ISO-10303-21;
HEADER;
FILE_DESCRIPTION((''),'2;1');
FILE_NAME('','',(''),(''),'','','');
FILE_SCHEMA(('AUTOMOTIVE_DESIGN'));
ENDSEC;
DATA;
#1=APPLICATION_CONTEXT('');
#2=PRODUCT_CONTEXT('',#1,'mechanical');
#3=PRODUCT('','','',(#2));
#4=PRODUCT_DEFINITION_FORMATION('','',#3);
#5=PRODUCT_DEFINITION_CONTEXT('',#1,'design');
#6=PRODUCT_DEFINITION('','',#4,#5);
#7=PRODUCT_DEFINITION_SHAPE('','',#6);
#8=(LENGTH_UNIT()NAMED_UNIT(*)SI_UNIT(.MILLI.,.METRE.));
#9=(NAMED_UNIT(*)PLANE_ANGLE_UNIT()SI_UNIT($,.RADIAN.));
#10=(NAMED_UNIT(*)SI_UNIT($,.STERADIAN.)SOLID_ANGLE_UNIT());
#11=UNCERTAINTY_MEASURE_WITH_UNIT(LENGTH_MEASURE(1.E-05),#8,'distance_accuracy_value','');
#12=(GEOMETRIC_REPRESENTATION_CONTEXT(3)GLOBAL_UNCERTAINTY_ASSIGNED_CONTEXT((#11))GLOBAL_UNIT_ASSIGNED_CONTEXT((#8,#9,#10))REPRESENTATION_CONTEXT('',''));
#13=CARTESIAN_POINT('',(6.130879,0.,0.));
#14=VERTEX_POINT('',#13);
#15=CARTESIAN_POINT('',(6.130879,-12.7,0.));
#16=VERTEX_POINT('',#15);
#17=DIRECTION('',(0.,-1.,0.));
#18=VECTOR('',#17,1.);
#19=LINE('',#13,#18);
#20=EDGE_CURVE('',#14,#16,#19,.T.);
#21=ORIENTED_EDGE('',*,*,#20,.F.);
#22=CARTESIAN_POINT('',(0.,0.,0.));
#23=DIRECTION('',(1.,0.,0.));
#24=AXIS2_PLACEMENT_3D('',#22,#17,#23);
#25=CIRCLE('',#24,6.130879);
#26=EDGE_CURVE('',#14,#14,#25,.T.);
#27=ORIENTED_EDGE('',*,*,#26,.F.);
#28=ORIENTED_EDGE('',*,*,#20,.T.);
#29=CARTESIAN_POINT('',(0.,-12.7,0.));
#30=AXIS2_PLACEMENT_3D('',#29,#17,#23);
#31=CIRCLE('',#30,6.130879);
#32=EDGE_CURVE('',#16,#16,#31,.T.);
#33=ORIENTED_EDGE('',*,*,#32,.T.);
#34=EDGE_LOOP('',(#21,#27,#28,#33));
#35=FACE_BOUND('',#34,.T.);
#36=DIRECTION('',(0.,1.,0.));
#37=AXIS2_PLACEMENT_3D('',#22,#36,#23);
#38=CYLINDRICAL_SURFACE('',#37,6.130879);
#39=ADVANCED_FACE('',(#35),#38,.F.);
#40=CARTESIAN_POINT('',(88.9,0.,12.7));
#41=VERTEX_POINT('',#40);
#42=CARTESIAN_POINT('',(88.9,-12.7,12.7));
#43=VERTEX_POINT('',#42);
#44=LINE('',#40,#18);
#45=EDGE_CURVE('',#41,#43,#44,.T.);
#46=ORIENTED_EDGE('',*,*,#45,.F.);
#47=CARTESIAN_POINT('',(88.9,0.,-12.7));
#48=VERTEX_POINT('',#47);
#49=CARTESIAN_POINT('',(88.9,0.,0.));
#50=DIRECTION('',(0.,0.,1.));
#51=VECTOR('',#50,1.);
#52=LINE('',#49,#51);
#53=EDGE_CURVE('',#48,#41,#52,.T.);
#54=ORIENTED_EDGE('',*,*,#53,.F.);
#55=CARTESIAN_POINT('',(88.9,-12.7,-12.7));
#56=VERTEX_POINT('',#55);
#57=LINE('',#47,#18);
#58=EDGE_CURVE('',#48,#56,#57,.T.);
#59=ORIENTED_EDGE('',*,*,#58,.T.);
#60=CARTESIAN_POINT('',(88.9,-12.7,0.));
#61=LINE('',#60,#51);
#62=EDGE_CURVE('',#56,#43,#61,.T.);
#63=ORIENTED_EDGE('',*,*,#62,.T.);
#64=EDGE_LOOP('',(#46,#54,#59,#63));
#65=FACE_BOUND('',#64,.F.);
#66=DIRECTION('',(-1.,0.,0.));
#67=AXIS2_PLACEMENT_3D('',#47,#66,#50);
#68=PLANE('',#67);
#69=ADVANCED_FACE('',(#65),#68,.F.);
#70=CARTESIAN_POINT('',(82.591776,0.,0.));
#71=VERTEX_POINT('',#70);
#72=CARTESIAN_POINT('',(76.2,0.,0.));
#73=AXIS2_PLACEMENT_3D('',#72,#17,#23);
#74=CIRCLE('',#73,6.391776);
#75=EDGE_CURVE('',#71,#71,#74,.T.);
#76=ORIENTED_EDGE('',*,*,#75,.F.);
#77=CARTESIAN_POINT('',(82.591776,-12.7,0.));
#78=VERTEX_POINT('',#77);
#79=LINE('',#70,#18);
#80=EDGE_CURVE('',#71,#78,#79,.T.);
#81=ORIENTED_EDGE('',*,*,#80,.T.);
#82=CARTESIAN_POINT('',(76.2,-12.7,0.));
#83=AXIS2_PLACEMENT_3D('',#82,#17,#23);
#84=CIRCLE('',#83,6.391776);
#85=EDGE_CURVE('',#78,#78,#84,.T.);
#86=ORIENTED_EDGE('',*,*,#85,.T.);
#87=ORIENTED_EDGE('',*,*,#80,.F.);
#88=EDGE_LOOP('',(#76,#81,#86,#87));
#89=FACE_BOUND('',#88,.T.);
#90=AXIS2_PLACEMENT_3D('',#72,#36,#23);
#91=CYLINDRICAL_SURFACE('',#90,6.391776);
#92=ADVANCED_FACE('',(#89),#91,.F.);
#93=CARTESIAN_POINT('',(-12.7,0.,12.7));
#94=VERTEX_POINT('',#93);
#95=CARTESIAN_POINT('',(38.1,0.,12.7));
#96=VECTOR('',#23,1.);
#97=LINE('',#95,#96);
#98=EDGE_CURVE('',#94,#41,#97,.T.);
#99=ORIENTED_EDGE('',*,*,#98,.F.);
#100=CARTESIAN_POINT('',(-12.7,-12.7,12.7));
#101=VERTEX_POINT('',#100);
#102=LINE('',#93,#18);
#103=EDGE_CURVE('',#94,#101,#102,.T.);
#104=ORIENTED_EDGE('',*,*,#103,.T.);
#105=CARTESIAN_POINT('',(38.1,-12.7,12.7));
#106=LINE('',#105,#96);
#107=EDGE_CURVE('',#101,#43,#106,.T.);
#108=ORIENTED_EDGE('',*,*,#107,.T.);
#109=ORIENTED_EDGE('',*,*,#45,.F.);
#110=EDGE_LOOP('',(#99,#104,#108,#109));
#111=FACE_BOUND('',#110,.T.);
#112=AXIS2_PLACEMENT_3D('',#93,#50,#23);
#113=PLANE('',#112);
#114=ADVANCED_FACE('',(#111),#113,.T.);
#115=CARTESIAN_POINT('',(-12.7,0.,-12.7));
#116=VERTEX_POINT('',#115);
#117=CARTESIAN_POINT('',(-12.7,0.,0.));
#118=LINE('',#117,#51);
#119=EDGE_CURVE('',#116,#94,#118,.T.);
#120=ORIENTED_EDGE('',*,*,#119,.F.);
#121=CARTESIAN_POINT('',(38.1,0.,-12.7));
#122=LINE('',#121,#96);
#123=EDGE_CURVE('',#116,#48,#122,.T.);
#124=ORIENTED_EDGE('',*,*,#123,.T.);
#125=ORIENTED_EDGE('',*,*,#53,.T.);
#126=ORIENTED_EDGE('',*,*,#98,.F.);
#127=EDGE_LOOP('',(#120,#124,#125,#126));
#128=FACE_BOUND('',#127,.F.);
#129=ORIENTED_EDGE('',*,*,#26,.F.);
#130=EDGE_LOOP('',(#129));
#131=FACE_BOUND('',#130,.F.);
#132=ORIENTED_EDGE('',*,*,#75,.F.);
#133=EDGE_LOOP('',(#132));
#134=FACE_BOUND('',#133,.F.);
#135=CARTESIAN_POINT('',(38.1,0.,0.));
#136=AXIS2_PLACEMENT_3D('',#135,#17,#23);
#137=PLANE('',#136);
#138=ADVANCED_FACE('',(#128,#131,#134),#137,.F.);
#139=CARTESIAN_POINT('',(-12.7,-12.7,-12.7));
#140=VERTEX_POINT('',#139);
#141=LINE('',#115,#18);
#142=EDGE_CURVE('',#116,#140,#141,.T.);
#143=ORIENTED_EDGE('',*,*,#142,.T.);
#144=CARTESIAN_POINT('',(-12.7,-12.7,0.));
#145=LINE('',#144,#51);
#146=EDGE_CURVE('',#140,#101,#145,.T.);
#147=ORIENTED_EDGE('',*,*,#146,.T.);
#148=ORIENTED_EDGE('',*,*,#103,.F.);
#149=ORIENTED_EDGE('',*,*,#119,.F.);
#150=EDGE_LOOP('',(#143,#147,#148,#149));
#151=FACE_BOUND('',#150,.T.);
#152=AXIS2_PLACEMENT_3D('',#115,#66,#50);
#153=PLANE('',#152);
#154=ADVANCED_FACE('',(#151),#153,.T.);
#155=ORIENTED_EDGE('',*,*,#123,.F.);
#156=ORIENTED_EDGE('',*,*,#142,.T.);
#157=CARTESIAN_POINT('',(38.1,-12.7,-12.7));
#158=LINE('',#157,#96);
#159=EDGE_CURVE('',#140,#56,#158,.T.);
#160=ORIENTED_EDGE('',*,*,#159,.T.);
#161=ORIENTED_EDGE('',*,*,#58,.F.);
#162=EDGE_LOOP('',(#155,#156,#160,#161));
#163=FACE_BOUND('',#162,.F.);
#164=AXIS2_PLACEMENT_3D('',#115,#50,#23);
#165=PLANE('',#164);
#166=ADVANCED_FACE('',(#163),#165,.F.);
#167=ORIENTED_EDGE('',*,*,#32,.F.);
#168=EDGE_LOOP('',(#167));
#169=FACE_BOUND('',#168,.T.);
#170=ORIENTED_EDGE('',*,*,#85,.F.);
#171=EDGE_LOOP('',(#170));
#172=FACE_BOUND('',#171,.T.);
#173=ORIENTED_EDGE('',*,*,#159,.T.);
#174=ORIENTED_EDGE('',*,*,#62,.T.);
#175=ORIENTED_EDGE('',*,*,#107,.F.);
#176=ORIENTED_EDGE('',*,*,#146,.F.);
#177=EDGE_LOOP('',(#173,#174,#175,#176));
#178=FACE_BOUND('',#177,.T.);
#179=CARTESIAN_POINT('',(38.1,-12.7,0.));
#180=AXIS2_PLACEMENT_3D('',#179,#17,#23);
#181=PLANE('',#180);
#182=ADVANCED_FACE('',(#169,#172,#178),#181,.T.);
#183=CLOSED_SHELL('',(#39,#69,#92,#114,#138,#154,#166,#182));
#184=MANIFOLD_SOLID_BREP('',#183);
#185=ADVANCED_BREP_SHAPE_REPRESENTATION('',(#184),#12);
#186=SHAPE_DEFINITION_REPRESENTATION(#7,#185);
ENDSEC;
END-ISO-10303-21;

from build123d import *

# Parameters (mm, degrees)
F0_W     = 101.6
F0_H     = 25.4
F0_R     = 6.130879
F0_R_2   = 6.391776
F1_DEPTH = 12.7


with BuildPart() as f1:
    # F0 (on Front) → F1 (new body)
    with BuildSketch(Plane.XZ):
        with Locations((38.1, 0)):
            Rectangle(F0_W, F0_H)
        Circle(F0_R, mode=Mode.SUBTRACT)
        with Locations((76.2, 0)):
            Circle(F0_R_2, mode=Mode.SUBTRACT)
    extrude(amount=F1_DEPTH)


solid = f1.part
